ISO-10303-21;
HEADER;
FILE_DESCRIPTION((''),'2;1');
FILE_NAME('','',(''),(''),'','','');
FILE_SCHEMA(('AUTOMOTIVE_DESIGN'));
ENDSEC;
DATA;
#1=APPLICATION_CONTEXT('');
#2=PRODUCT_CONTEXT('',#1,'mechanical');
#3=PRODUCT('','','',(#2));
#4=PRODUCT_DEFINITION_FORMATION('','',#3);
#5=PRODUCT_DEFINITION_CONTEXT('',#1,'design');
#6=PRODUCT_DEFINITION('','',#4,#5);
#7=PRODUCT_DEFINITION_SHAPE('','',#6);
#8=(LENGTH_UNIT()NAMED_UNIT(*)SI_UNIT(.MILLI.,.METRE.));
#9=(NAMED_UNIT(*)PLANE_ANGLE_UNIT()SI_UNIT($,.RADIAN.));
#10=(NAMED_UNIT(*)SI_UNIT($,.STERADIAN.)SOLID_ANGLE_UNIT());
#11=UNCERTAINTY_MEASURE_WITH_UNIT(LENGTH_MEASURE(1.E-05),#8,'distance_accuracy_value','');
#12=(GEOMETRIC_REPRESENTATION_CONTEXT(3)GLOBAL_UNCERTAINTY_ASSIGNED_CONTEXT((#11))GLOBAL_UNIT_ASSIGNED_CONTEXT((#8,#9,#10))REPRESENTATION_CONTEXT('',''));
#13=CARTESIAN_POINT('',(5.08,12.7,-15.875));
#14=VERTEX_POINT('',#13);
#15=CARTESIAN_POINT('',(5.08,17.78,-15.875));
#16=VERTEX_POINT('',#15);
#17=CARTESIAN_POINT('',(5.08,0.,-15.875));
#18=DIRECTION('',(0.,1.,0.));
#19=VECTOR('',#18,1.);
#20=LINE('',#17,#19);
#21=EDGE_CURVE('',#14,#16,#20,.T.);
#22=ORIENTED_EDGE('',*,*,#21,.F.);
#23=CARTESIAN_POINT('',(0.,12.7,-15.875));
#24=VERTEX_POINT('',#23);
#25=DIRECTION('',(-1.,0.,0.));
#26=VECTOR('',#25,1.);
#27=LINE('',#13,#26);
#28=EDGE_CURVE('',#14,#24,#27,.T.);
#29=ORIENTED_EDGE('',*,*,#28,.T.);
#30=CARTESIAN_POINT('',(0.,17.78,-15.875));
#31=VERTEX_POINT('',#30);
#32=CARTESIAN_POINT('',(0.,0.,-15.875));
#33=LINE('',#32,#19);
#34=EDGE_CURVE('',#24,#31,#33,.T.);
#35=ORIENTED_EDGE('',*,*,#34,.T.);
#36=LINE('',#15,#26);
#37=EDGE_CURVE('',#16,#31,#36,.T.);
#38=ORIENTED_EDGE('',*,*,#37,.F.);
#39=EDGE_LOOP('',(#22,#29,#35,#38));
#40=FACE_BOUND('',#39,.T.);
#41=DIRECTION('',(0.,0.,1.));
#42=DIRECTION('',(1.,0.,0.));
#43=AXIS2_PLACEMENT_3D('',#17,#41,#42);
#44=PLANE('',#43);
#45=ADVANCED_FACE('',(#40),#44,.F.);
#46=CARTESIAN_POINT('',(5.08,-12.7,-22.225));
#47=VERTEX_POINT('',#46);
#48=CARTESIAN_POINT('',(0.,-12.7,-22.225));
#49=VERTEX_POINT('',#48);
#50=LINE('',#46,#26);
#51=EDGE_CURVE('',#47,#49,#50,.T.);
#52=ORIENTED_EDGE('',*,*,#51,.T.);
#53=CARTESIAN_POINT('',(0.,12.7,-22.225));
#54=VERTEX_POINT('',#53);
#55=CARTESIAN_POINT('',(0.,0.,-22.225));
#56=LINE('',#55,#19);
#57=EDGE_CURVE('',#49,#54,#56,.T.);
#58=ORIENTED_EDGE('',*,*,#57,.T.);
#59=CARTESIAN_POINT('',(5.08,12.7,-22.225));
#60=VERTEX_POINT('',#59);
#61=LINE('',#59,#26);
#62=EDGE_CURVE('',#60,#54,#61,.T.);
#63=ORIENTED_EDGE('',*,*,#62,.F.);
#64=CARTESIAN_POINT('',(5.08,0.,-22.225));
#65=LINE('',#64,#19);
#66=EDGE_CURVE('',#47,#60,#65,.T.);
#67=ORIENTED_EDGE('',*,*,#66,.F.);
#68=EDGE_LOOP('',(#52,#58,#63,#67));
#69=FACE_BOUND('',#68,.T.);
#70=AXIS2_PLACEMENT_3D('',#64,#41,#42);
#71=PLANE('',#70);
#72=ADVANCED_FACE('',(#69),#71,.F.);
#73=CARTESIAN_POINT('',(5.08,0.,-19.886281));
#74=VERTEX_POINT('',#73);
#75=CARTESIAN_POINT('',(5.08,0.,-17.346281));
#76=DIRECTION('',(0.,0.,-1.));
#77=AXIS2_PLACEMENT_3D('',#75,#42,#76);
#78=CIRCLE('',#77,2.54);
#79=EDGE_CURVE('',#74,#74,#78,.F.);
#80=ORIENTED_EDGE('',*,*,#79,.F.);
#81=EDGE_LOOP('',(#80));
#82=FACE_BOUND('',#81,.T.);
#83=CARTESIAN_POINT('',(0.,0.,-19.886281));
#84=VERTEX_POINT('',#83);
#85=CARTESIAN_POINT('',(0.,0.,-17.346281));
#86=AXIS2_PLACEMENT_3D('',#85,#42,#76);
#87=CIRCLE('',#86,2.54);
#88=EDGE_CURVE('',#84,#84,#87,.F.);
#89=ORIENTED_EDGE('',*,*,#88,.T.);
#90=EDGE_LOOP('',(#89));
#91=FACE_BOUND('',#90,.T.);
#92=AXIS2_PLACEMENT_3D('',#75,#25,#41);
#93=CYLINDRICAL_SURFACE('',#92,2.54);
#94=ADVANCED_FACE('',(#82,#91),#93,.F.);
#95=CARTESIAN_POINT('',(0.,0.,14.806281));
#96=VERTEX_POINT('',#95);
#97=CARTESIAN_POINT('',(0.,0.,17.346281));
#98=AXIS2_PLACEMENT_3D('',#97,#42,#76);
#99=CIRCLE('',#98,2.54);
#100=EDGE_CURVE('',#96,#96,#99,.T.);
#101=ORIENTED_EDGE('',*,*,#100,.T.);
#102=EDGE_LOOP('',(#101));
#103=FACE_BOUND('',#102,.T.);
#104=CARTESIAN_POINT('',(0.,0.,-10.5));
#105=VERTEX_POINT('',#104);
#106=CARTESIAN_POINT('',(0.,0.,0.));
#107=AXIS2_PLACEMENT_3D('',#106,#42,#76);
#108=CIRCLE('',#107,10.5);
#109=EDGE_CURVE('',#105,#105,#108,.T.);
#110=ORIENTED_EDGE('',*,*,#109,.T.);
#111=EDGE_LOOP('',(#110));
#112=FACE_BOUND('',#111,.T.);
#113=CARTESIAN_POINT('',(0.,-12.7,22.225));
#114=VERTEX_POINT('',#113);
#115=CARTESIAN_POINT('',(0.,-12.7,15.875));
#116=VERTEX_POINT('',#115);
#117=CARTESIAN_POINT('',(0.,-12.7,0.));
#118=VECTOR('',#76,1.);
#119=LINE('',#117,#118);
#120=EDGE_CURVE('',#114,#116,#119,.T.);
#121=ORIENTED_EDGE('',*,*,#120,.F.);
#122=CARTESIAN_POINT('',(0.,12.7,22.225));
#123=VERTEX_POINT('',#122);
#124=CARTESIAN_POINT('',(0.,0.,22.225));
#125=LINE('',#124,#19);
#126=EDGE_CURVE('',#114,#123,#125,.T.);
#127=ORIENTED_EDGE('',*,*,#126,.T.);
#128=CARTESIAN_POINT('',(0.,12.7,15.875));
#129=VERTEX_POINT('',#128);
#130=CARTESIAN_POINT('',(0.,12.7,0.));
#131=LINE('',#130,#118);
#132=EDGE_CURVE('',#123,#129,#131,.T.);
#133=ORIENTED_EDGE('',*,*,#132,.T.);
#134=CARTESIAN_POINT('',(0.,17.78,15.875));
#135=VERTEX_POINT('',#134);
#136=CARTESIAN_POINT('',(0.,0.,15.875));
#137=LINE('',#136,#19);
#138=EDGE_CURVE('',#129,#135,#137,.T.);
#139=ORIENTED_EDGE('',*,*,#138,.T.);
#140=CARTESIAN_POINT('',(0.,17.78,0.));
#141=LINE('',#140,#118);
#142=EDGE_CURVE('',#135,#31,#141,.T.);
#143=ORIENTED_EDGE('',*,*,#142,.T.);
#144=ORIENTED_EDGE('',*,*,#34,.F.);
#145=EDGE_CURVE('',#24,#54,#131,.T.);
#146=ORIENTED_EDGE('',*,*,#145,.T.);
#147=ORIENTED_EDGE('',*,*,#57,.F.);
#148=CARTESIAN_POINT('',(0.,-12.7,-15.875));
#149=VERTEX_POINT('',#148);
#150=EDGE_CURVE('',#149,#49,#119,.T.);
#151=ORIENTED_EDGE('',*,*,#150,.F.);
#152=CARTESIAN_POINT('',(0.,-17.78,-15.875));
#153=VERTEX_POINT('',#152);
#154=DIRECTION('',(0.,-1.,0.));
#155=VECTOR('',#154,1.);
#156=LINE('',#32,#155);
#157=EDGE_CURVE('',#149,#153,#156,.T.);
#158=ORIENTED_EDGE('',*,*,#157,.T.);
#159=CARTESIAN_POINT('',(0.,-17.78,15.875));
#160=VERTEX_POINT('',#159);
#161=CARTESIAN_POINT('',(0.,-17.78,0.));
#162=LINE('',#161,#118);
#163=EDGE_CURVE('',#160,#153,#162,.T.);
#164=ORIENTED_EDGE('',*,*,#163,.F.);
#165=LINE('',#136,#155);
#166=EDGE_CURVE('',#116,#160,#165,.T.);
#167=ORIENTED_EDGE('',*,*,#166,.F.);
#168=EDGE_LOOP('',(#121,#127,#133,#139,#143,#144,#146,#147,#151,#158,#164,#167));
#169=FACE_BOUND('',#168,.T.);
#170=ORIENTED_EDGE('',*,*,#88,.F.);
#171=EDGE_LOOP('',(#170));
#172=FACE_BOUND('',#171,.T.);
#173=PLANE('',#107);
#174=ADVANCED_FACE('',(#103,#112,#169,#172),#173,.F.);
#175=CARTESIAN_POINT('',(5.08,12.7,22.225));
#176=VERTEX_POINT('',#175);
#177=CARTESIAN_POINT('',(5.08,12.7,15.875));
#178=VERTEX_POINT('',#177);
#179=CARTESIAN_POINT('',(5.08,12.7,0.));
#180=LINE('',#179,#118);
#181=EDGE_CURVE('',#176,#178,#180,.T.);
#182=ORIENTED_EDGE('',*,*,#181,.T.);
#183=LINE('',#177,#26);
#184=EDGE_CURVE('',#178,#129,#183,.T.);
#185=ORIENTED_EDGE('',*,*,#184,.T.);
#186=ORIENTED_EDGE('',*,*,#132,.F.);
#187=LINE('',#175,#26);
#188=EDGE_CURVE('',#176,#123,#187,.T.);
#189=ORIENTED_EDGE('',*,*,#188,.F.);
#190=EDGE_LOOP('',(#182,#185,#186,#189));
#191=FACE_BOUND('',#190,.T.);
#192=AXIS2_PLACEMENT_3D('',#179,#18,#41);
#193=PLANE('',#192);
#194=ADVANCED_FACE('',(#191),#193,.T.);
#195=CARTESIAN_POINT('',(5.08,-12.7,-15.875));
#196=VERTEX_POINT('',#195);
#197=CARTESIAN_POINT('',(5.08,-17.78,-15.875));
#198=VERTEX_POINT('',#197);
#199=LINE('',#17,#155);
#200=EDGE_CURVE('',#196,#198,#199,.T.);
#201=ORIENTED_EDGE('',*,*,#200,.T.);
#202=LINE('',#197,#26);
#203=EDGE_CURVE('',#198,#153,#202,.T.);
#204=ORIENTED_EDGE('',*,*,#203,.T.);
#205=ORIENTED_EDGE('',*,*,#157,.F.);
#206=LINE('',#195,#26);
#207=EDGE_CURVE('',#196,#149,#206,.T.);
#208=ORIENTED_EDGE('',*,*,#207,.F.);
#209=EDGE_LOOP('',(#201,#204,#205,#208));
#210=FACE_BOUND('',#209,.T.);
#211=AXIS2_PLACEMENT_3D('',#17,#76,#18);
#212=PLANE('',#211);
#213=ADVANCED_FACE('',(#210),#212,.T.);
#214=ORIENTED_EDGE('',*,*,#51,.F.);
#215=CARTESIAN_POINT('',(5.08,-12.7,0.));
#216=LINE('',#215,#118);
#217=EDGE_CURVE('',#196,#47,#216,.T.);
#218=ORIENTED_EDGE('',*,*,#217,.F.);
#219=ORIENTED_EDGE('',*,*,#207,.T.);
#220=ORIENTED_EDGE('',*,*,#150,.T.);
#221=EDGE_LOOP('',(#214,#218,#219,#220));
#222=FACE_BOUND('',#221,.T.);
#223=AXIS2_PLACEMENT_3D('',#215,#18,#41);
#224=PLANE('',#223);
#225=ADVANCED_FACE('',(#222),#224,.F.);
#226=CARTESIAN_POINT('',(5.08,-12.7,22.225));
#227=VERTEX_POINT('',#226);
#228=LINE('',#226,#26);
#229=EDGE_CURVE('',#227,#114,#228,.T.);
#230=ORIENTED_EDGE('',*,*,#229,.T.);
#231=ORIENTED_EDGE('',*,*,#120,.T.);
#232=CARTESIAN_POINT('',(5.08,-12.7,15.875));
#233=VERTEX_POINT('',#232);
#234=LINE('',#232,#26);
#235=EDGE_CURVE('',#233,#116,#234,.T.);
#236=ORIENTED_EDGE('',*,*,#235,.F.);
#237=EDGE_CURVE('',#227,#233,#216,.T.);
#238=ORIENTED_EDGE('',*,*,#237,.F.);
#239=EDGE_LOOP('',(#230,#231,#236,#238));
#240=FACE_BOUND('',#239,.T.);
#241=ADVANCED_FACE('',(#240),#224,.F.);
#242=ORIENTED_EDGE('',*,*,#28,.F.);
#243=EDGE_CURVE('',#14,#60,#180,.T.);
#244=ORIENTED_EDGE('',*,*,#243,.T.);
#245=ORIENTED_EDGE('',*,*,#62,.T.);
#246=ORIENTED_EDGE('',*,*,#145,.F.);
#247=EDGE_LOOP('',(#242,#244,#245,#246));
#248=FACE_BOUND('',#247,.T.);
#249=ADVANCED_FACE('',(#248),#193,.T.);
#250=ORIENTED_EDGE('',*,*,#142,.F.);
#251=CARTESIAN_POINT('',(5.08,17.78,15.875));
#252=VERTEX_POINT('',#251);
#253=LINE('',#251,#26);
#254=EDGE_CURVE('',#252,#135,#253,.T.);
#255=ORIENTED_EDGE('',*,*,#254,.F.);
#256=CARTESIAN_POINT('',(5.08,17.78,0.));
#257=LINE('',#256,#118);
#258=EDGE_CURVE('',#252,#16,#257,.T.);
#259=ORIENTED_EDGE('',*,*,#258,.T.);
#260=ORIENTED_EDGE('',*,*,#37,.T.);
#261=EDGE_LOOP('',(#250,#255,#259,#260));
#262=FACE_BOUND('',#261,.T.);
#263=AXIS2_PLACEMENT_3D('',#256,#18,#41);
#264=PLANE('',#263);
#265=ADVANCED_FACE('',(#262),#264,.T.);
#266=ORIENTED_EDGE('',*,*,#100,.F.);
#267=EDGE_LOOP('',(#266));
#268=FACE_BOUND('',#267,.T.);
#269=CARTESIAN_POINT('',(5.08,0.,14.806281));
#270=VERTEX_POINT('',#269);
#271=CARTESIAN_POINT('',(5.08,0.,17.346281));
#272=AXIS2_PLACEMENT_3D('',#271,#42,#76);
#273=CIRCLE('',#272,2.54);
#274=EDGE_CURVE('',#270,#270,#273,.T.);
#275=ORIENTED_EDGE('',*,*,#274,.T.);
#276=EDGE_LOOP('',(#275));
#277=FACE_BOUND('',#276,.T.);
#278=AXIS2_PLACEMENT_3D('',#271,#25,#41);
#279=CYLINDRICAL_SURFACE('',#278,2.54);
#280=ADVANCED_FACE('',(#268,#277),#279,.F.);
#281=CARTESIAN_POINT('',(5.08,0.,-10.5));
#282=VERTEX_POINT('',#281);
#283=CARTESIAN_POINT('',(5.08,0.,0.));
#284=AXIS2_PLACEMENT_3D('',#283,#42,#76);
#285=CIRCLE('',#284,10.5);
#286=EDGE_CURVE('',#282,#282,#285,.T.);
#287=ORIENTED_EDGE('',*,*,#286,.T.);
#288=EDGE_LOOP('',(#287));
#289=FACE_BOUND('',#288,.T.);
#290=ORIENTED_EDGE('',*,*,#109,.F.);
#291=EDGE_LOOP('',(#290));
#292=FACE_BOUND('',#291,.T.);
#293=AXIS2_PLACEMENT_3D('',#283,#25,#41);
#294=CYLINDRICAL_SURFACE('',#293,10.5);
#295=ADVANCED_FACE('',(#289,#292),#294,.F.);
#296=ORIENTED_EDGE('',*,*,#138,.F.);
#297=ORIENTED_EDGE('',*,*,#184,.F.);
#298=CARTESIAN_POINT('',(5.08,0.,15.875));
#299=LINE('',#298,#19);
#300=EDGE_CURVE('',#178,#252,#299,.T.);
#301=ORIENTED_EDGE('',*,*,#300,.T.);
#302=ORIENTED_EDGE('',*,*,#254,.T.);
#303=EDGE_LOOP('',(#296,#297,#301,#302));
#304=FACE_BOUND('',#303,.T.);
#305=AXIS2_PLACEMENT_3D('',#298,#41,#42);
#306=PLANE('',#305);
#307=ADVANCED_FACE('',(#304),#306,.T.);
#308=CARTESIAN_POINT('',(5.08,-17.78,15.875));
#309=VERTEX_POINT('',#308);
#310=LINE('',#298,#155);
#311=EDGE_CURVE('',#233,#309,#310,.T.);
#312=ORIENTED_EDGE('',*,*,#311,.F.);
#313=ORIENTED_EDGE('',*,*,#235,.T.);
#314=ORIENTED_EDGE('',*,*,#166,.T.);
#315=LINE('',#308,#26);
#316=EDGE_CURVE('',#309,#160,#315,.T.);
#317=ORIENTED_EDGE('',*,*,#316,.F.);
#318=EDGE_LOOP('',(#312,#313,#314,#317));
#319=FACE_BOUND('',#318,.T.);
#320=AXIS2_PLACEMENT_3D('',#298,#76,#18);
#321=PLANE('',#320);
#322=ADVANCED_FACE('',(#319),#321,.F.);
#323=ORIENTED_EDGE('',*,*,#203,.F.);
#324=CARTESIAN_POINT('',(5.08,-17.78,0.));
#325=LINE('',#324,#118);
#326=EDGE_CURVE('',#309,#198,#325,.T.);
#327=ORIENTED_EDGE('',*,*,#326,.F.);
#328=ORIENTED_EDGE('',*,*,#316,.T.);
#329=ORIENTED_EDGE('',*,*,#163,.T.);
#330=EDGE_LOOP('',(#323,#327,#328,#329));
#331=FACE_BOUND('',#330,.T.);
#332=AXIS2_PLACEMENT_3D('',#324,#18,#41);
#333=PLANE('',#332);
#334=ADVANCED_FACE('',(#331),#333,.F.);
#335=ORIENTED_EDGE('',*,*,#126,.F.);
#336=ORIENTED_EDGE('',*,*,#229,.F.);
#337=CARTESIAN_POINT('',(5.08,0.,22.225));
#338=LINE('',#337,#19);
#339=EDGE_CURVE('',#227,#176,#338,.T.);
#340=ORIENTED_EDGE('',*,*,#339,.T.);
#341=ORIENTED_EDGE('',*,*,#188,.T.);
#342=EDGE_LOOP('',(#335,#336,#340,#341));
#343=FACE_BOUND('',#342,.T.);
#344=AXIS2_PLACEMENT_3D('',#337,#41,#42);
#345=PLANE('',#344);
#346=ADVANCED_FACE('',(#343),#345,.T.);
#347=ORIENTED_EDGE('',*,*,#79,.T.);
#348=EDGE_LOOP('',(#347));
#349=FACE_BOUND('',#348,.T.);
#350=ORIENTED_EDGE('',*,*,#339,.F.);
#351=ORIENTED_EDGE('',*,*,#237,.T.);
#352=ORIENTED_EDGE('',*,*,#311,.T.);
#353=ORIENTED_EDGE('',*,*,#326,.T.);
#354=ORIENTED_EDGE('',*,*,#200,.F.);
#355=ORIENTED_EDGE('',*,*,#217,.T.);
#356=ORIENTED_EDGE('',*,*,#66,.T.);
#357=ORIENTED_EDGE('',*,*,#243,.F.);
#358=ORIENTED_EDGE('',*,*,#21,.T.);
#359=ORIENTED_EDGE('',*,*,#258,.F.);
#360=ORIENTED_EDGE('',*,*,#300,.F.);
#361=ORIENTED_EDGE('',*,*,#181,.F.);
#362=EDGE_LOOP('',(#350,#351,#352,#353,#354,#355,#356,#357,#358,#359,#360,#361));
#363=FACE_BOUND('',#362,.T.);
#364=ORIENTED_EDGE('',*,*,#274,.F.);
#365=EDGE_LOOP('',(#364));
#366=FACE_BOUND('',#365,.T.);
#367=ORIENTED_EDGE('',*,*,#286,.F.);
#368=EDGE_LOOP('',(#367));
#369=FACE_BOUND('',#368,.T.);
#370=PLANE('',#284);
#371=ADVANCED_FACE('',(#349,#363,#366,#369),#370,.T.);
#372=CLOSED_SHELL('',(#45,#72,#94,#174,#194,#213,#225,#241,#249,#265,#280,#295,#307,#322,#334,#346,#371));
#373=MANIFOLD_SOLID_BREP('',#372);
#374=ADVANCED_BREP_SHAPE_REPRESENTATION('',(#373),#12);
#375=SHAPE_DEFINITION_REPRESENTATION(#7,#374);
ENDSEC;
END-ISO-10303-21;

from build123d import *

# Parameters (mm, degrees)
SKETCH1_R           = 10.499999955
SKETCH1_R_2         = 2.54
BOSS_EXTRUDE1_DEPTH = 5.08


with BuildPart() as part:
    # Sketch1 → Boss-Extrude1 (new body)
    with BuildSketch(Plane(origin=(0, 0, 0), x_dir=(0, 0, -1), z_dir=(1, 0, 0))):
        Polygon((-15.875, 12.7), (-22.225, 12.7), (-22.225, -12.7), (-15.875, -12.7), (-15.875, -17.78), (15.875, -17.78), (15.875, -12.7), (22.225, -12.7), (22.225, 12.7), (15.875, 12.7), (15.875, 17.78), (-15.875, 17.78), align=None)
        Circle(SKETCH1_R, mode=Mode.SUBTRACT)
        with Locations((17.346281091, 0)):
            Circle(SKETCH1_R_2, mode=Mode.SUBTRACT)
        with Locations((-17.346281091, 0)):
            Circle(SKETCH1_R_2, mode=Mode.SUBTRACT)
    extrude(amount=BOSS_EXTRUDE1_DEPTH)


solid = part.part
